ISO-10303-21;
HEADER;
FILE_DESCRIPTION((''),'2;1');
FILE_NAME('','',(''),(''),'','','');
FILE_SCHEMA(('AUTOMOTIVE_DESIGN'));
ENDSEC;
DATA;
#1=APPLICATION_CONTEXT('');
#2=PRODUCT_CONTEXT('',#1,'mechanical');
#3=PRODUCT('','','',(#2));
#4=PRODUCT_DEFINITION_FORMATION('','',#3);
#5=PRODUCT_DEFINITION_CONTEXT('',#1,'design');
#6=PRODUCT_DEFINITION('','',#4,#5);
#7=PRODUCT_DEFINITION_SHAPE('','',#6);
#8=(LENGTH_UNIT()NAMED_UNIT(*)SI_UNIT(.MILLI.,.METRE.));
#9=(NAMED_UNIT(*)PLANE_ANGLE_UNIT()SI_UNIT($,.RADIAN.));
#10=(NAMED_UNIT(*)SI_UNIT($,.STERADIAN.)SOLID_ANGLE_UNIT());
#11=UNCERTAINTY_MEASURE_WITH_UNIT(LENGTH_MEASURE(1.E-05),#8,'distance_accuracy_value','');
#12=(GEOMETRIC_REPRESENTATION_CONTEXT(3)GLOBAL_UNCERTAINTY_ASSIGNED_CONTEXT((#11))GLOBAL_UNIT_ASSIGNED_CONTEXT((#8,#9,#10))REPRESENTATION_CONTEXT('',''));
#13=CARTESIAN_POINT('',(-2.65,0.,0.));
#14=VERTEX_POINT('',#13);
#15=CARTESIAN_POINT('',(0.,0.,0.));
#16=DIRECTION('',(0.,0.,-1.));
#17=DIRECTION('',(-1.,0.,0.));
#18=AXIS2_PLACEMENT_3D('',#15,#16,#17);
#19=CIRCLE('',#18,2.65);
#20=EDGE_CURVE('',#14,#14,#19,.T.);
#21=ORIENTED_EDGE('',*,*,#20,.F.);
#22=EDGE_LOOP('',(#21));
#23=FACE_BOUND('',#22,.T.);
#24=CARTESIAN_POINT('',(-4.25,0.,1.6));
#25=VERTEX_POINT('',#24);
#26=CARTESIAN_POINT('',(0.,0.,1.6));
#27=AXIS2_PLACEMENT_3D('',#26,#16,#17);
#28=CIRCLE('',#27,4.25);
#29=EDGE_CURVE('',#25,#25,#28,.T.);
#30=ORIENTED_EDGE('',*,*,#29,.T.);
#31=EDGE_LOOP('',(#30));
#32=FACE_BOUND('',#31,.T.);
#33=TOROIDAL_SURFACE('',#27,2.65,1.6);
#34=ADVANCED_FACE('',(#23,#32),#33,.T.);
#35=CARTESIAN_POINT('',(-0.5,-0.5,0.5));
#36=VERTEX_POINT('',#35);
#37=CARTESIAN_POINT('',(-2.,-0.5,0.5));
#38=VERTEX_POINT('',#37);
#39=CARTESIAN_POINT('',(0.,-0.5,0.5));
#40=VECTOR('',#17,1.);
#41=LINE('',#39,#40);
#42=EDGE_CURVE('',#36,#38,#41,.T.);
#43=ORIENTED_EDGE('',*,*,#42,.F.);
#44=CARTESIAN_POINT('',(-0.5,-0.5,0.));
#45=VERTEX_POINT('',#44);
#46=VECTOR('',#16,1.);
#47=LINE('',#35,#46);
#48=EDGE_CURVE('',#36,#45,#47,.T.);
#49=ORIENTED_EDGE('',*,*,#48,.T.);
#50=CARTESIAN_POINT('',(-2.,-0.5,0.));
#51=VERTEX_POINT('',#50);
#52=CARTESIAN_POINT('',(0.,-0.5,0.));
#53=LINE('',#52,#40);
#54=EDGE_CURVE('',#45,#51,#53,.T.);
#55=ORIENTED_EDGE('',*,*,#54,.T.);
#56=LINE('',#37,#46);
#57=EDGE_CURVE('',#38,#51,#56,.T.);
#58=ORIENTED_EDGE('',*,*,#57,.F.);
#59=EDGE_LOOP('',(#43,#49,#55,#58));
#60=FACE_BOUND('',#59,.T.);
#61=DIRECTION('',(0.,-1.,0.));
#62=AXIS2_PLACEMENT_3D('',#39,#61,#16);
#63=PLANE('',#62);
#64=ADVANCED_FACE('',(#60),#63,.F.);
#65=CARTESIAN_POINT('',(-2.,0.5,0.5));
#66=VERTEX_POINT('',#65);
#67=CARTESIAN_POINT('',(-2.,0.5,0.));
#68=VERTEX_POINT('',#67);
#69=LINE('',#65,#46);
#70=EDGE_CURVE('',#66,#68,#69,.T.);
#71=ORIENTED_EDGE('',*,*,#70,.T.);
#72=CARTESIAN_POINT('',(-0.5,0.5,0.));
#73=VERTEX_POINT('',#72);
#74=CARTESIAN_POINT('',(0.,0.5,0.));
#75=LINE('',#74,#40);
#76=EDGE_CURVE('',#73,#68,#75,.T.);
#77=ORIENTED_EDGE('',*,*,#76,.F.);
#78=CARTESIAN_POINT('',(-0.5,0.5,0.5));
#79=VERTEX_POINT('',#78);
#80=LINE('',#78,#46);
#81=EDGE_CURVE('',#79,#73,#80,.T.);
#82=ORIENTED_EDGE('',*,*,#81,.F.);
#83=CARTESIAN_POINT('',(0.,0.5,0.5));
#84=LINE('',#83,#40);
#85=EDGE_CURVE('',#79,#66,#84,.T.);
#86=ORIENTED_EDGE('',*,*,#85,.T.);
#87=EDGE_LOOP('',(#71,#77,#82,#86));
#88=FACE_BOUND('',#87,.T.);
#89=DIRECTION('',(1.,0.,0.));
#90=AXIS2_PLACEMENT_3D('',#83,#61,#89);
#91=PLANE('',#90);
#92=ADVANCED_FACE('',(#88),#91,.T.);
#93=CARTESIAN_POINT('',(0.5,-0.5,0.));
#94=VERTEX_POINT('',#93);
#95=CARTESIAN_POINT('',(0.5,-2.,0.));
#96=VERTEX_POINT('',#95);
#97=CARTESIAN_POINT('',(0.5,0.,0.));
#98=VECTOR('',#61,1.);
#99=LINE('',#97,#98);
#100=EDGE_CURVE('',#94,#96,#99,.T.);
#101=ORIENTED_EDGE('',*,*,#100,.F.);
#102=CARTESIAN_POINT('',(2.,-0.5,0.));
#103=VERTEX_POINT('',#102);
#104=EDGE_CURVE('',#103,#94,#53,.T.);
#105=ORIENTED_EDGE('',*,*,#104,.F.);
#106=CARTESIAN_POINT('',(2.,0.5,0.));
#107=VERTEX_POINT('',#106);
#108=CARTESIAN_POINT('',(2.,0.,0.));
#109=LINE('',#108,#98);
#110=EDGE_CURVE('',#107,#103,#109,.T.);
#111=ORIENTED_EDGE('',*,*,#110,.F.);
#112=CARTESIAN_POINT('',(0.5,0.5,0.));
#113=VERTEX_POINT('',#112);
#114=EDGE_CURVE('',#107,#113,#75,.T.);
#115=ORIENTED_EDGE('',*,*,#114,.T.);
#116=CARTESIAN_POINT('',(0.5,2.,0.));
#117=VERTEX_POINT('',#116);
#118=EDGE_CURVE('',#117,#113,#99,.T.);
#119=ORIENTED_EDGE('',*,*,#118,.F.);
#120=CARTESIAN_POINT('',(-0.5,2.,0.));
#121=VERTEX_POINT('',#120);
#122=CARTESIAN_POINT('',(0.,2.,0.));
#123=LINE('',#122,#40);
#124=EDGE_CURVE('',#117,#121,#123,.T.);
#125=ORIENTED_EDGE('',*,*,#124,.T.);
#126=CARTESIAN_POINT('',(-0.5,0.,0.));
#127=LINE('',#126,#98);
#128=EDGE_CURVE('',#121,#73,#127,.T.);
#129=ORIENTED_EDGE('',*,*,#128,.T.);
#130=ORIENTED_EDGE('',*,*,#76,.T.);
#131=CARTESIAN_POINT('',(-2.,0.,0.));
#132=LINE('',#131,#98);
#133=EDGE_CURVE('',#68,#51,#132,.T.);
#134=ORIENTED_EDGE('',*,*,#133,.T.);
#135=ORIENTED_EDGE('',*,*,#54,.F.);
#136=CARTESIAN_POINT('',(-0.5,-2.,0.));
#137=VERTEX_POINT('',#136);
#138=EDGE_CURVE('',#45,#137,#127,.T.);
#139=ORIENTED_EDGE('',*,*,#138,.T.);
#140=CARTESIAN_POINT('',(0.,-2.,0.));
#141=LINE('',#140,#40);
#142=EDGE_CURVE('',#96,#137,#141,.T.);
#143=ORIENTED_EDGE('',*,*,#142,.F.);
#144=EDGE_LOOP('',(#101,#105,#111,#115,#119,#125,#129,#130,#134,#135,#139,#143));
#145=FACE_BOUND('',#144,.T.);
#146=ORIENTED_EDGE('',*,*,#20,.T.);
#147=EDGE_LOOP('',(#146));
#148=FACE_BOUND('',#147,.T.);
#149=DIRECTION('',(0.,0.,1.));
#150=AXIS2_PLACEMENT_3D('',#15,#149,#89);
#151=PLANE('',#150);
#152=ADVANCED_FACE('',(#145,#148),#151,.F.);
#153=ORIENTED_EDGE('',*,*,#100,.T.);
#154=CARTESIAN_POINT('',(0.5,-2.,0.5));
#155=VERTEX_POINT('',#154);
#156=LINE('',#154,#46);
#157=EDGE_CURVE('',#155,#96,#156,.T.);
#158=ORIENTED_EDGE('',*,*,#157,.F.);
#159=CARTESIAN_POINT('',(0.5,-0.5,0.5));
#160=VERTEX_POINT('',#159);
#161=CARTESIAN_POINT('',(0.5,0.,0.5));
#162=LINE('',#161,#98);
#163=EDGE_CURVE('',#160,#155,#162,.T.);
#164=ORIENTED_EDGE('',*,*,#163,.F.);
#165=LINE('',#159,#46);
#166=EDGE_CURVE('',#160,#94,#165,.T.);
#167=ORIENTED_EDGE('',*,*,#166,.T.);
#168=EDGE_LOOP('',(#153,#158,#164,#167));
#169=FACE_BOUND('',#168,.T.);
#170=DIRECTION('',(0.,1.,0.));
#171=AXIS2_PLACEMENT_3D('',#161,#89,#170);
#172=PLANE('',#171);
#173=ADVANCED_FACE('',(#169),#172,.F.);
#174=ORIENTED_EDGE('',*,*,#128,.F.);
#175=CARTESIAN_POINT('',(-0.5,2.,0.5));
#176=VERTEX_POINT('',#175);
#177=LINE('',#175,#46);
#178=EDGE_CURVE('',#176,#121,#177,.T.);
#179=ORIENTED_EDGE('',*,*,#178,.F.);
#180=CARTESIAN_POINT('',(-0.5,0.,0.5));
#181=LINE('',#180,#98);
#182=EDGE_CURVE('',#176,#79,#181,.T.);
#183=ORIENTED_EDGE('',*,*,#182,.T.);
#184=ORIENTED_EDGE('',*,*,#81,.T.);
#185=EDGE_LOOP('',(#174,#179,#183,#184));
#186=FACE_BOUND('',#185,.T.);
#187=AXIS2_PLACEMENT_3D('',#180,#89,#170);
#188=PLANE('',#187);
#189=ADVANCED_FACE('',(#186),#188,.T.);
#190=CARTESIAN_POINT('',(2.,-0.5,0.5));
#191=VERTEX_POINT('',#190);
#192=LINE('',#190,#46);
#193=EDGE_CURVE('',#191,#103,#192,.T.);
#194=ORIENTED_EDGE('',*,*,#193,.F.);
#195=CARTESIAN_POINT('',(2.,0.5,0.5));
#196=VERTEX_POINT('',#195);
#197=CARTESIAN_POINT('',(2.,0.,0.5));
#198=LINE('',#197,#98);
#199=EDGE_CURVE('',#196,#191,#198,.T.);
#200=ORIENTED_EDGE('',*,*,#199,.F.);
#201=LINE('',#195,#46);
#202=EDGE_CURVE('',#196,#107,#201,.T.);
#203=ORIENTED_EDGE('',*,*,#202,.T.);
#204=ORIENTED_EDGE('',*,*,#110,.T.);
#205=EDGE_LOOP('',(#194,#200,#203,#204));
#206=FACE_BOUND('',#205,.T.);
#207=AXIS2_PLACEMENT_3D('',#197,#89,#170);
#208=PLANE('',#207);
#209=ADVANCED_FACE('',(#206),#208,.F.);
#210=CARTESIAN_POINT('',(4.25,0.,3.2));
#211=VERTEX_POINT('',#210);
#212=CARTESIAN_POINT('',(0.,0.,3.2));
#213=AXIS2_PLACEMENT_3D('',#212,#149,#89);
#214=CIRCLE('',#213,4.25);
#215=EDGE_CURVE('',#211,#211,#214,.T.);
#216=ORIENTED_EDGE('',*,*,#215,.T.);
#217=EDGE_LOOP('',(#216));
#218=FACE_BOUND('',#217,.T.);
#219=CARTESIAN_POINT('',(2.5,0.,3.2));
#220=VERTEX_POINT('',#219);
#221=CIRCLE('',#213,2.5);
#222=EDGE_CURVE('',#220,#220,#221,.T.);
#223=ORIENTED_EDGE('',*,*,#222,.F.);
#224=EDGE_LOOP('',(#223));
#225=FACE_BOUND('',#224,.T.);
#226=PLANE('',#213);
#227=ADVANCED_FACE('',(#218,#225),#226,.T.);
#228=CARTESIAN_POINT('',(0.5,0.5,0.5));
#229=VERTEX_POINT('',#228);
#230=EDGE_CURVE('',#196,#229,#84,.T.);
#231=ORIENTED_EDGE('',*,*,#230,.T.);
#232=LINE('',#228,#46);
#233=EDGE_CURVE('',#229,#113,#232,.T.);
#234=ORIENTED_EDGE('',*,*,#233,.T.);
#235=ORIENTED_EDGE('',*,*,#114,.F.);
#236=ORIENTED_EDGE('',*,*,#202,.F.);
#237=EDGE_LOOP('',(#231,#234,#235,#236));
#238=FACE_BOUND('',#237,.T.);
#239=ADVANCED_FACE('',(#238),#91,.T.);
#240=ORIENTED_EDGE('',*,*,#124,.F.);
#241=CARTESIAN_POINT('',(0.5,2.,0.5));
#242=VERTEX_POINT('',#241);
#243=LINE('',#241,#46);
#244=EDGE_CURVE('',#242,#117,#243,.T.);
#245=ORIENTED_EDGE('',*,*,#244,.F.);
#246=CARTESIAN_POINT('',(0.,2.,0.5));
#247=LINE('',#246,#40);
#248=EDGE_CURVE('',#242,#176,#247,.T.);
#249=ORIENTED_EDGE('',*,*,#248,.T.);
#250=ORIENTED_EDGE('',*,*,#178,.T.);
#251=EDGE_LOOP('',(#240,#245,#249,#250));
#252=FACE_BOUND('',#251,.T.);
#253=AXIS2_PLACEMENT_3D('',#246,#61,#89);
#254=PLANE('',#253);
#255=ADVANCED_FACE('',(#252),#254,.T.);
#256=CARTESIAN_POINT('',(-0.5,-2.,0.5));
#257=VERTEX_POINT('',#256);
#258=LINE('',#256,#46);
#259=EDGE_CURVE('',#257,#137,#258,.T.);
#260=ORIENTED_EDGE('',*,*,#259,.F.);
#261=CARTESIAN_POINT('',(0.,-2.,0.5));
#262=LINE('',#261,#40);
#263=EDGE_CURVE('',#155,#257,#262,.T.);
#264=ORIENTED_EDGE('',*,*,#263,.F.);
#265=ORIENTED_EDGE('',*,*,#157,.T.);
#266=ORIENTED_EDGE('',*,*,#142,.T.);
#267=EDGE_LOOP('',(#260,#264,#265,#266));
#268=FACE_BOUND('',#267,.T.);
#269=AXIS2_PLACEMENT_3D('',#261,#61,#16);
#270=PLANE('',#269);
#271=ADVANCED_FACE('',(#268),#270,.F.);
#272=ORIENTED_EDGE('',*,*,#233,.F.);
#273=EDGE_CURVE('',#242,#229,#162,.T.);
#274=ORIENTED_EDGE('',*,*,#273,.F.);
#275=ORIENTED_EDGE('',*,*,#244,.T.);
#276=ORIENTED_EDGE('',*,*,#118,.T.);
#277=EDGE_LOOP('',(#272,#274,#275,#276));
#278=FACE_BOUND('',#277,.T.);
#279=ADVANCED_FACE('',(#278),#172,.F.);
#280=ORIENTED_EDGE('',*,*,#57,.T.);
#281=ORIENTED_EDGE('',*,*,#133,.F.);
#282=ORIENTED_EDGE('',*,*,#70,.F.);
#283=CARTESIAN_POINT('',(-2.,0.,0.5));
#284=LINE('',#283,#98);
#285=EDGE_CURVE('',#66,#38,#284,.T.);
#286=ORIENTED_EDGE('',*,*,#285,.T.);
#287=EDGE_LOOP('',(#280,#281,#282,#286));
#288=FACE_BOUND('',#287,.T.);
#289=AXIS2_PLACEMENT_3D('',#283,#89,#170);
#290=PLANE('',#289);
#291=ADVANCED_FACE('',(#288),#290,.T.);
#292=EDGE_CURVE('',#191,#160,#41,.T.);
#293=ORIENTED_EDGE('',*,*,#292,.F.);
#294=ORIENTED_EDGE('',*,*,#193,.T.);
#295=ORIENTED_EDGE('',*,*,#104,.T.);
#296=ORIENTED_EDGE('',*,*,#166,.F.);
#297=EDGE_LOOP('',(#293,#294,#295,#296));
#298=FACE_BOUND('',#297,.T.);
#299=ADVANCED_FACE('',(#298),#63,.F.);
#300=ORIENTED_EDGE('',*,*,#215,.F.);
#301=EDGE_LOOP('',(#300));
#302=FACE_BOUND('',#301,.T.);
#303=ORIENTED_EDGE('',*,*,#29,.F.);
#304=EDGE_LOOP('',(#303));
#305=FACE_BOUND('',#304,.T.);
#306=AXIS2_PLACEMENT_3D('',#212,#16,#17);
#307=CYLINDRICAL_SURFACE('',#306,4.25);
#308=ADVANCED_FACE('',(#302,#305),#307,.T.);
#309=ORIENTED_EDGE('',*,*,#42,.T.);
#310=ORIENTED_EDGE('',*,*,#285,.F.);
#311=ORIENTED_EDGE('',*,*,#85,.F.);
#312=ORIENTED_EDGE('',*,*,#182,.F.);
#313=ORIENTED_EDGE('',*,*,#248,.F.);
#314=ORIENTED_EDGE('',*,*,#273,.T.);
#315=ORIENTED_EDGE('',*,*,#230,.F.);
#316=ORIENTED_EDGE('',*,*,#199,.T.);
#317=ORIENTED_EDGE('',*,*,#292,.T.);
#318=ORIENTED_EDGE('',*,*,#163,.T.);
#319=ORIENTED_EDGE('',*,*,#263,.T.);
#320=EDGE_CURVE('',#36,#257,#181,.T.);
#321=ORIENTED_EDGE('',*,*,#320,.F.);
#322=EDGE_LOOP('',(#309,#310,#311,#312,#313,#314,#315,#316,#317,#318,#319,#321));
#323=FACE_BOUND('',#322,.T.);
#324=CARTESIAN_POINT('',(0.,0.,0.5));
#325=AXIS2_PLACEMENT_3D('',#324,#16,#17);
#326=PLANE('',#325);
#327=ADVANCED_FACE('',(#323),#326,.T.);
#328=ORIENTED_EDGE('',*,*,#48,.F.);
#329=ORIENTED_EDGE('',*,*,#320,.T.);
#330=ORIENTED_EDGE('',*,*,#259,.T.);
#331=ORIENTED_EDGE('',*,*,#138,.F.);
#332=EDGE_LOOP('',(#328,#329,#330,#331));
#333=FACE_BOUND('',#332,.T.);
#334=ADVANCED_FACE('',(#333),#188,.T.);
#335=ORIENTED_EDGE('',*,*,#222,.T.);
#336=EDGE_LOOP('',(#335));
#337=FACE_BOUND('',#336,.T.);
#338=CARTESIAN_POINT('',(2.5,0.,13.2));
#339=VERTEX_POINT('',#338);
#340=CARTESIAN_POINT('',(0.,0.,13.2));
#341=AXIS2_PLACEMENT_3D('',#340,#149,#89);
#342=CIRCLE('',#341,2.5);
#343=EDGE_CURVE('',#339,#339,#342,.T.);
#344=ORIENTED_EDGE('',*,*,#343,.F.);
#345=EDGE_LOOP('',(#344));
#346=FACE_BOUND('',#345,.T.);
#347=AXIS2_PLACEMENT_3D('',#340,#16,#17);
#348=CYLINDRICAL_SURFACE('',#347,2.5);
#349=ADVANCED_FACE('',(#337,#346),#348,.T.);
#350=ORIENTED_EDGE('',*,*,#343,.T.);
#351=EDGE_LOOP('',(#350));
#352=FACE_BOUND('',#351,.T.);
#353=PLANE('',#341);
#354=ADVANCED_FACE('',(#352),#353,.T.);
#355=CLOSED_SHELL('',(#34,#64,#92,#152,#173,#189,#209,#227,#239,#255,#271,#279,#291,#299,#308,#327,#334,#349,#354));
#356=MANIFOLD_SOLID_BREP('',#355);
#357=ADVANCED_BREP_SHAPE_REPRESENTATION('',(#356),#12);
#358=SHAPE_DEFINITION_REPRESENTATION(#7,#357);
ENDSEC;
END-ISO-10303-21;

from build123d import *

# Parameters (mm, degrees)
SKETCH1_R           = 4.25
BOSS_EXTRUDE4_DEPTH = 3.2
SKETCH3_W           = 1
SKETCH3_H           = 4
SKETCH3_W_2         = 4
SKETCH3_H_2         = 1
CUT_EXTRUDE1_DEPTH  = 0.5
SKETCH4_R           = 2.5
BOSS_EXTRUDE7_DEPTH = 10


with BuildPart() as part:
    # Sketch1 → Boss-Extrude4 (new body)
    with BuildSketch(Plane.XY):
        Circle(SKETCH1_R)
    extrude(amount=BOSS_EXTRUDE4_DEPTH)

    # Sketch2 → Cut-Revolve1 (revolve, cut)
    with BuildSketch(Plane(origin=(0, 0, 0), x_dir=(1, 0, 0), z_dir=(0, 1, 0))):
        with BuildLine():
            Line((-4.25, -1.6), (-4.25, 0))
            Line((-4.25, 0), (-2.65, 0))
            ThreePointArc((-2.65, 0), (-3.78137085, -0.46862915), (-4.25, -1.6))
        make_face()
    revolve(axis=Axis((0, 0, 0), (0, 0, 1)), mode=Mode.SUBTRACT)

    # Sketch3 → Cut-Extrude1 (cut)
    with BuildSketch(Plane(origin=(0, 0, 0), x_dir=(-1, 0, 0), z_dir=(0, 0, -1))):
        Rectangle(SKETCH3_W, SKETCH3_H)
        Rectangle(SKETCH3_W_2, SKETCH3_H_2)
    extrude(amount=-CUT_EXTRUDE1_DEPTH, mode=Mode.SUBTRACT)

    # Sketch4 → Boss-Extrude7 (add)
    with BuildSketch(Plane.XY.offset(3.2)):
        Circle(SKETCH4_R)
    extrude(amount=BOSS_EXTRUDE7_DEPTH)


solid = part.part
